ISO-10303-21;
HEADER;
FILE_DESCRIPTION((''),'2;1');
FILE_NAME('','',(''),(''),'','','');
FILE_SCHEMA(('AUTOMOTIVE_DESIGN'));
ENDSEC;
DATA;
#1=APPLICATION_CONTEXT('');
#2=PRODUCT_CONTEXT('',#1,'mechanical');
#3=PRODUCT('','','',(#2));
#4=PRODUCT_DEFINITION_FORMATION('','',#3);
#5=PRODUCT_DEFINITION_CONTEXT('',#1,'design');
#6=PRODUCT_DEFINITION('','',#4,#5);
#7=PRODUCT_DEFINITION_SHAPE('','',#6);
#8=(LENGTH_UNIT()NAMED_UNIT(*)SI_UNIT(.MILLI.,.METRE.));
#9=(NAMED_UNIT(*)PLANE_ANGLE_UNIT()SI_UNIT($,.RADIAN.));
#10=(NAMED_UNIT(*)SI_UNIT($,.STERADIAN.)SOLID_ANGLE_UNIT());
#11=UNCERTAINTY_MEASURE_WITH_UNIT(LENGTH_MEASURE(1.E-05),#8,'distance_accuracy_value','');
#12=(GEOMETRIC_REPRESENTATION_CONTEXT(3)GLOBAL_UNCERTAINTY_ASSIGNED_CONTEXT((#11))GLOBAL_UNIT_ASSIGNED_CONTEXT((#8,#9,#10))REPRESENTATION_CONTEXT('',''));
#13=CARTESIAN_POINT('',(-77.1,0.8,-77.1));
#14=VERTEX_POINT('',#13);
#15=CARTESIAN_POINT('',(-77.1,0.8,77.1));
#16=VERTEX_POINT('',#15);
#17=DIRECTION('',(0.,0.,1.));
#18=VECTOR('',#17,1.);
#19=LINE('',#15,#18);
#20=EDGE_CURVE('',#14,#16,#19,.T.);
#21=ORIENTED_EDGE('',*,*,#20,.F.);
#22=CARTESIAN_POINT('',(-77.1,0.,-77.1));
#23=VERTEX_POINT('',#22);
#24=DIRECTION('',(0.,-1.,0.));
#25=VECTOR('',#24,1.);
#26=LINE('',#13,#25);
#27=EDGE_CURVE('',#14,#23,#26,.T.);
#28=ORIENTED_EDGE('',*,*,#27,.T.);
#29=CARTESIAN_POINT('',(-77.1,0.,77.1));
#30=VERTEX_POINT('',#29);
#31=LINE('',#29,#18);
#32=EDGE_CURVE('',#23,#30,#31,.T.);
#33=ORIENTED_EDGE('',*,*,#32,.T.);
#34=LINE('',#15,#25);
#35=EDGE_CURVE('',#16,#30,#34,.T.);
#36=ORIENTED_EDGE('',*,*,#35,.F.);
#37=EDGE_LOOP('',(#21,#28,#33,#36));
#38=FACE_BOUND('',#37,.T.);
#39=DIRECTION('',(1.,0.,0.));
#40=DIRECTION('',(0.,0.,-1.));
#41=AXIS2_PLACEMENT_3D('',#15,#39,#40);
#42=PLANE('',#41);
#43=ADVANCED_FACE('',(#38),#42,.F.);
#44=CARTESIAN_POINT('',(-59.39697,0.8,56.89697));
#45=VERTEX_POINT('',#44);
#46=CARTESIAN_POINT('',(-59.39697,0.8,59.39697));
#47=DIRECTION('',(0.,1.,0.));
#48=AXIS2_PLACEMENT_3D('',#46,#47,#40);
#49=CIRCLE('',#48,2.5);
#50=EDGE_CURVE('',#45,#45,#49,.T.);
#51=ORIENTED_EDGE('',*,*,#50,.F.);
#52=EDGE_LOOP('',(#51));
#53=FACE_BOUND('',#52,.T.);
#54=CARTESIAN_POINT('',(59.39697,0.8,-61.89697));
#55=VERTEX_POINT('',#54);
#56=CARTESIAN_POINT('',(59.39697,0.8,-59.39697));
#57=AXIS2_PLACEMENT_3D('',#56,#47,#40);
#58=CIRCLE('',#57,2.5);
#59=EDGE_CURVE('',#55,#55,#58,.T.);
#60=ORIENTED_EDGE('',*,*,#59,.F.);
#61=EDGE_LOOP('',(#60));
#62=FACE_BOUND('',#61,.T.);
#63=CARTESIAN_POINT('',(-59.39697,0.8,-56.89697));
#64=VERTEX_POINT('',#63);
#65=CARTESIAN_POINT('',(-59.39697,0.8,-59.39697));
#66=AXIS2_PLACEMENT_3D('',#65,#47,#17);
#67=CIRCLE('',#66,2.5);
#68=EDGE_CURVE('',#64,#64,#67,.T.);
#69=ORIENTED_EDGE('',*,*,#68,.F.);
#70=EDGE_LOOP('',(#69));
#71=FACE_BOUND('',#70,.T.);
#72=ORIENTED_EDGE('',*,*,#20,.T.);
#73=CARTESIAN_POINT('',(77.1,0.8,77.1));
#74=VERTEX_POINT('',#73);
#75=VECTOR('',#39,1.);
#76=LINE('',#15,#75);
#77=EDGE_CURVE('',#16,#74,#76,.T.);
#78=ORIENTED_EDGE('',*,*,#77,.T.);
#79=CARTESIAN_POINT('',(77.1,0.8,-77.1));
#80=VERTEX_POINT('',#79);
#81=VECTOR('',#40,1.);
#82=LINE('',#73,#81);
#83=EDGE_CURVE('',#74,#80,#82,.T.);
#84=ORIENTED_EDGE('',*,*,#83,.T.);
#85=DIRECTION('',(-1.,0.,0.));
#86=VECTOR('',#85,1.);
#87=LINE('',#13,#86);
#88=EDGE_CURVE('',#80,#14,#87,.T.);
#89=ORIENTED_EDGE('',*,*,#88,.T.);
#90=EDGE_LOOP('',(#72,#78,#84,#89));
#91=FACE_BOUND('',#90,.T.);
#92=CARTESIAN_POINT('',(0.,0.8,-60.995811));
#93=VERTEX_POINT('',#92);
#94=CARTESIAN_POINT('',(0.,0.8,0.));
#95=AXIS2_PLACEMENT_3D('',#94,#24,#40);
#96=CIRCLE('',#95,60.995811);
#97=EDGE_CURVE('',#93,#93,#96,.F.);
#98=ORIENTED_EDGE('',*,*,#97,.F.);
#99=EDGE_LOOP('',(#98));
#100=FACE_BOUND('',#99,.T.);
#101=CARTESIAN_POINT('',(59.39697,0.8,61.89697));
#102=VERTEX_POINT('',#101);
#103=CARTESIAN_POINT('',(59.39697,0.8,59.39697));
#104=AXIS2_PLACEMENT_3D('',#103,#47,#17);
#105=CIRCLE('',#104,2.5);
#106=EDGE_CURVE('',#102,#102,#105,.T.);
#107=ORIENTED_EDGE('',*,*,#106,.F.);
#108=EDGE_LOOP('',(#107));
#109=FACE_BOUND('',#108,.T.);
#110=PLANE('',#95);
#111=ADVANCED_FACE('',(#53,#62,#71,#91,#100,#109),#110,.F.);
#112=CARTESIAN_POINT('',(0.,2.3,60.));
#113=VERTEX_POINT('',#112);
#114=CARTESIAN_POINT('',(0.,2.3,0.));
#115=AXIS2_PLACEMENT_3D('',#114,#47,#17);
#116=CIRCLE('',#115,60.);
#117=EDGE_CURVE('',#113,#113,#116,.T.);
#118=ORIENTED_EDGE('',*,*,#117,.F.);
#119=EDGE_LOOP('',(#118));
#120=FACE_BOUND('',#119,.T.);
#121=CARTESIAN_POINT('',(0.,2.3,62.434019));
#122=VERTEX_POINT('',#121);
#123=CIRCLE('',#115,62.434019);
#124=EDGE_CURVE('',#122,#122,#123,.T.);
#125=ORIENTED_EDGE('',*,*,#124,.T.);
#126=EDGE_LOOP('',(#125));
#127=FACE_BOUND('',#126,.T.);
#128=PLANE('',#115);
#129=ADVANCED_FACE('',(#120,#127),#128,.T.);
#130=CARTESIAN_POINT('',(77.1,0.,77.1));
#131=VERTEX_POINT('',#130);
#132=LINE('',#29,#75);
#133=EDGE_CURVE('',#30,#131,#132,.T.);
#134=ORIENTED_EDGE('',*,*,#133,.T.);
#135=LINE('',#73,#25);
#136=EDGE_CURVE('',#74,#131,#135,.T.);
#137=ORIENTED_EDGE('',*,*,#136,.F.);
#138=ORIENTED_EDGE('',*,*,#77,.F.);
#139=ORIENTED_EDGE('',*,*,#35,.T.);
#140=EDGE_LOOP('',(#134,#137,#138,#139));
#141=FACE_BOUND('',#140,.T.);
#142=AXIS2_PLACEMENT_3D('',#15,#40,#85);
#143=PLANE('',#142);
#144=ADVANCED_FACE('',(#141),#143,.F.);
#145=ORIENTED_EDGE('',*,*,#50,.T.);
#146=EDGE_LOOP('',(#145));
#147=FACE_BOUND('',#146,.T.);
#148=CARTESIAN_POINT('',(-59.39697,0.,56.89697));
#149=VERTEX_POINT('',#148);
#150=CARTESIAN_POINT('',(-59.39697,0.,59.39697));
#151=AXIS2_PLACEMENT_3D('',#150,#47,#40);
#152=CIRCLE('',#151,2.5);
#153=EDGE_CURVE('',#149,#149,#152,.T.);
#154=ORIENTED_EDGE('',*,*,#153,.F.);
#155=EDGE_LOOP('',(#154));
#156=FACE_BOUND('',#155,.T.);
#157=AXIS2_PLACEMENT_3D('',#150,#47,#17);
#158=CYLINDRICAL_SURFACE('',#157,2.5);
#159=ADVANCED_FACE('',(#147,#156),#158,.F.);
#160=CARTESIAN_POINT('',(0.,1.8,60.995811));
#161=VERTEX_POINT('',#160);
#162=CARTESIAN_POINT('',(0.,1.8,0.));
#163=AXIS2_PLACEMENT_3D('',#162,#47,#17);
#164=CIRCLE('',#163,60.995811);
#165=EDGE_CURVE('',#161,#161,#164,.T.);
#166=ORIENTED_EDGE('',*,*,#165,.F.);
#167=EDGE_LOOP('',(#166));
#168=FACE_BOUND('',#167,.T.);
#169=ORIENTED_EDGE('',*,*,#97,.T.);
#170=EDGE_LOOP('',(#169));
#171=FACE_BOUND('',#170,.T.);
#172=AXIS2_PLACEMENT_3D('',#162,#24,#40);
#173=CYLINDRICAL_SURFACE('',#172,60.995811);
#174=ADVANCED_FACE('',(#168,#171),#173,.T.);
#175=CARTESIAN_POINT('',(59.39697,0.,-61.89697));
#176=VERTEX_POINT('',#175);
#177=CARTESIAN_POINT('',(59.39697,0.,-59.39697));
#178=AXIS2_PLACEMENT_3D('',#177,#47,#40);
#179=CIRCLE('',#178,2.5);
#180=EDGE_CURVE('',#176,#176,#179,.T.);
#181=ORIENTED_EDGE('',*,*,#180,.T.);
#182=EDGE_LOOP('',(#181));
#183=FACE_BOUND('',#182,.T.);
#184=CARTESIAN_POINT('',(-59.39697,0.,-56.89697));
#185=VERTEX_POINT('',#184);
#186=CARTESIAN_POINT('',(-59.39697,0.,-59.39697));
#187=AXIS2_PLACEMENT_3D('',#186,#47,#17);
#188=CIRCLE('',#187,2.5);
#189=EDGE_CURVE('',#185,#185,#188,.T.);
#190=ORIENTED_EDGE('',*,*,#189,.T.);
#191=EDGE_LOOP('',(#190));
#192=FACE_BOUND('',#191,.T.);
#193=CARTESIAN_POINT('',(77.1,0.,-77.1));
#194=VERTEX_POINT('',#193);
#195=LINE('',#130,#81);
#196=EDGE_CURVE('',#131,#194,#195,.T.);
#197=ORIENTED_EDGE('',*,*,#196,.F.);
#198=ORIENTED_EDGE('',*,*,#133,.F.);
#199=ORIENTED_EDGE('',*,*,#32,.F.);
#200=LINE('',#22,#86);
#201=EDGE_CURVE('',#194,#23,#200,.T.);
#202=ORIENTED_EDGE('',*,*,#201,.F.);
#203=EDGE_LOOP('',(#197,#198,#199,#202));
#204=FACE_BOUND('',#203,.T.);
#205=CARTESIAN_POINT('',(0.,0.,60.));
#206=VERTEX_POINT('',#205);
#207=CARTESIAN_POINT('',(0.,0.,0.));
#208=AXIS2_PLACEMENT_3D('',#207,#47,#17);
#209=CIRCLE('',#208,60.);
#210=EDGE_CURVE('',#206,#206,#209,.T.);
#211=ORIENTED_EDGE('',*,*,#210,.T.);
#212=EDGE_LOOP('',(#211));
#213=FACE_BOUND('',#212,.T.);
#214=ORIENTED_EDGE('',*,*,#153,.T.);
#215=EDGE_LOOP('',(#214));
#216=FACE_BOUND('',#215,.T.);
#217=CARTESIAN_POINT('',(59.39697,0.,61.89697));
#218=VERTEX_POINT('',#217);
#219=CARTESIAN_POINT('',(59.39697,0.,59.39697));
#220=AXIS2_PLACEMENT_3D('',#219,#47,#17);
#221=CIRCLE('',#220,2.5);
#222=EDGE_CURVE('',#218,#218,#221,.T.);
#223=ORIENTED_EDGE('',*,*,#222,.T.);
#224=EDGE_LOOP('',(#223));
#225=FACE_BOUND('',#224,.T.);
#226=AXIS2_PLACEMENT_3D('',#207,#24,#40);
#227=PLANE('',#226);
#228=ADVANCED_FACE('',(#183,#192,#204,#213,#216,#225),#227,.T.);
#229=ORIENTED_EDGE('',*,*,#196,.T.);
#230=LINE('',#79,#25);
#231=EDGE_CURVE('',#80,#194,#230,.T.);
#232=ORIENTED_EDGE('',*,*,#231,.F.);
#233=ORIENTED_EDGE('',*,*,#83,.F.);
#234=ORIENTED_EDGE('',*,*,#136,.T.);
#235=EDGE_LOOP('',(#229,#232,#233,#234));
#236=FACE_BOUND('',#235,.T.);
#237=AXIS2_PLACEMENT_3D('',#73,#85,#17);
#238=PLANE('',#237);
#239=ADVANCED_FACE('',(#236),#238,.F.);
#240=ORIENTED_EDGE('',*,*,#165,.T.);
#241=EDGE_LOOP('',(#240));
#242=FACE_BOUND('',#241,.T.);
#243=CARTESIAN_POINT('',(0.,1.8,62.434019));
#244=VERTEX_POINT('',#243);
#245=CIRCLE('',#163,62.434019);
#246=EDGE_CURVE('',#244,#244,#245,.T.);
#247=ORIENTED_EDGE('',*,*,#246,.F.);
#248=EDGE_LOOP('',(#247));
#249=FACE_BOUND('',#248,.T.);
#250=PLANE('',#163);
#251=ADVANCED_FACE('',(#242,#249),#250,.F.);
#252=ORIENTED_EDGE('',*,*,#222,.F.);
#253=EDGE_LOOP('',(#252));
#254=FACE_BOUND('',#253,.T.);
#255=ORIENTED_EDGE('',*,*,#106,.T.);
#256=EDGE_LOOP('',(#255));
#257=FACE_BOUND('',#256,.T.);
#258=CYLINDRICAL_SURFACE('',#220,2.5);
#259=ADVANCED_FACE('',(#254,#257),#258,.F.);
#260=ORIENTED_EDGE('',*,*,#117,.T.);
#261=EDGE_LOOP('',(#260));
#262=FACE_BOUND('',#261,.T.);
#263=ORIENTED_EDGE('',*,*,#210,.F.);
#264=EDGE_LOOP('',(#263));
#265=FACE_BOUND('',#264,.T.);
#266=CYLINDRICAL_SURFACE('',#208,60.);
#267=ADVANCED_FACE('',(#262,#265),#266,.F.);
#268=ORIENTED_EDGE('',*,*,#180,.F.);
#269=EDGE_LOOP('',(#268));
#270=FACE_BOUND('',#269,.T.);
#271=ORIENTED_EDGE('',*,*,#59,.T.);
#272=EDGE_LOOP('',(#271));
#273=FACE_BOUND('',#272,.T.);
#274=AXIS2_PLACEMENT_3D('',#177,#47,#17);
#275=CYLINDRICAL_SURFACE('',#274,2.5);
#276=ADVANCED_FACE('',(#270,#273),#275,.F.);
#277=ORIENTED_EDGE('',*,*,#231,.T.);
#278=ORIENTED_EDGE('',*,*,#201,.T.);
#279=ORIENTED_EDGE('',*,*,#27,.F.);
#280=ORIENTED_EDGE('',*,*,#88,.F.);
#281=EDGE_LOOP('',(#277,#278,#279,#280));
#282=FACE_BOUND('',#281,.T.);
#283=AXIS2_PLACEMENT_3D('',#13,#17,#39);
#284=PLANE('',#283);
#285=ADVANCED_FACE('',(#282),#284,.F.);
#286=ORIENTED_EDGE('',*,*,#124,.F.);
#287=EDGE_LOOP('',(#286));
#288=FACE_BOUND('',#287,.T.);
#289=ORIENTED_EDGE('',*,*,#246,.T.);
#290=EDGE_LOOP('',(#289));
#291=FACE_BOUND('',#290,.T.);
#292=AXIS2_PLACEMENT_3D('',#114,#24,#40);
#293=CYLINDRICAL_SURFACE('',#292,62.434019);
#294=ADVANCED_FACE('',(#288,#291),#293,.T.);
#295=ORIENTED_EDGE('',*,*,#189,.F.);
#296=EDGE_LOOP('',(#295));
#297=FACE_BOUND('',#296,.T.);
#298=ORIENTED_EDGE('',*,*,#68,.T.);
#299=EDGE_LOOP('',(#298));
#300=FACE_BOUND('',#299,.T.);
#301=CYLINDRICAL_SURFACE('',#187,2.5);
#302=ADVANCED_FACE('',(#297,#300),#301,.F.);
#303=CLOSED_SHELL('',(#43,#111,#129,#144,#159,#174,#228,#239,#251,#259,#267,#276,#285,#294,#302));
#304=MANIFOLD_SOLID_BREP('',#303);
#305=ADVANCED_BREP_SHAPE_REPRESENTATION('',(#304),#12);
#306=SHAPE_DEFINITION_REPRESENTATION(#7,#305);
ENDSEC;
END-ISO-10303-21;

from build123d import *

# Parameters (mm, degrees)
CROQUIS1_W              = 154.2
CROQUIS1_H              = 154.2
SALIENTE_EXTRUIR1_DEPTH = 0.8
CROQUIS2_R              = 60
CORTAR_EXTRUIR1_DEPTH   = 110.038800434
SALIENTE_EXTRUIR2_START = 1
CROQUIS3_R              = 60.995810587
CROQUIS3_R_2            = 60
SALIENTE_EXTRUIR2_DEPTH = 1
SALIENTE_EXTRUIR3_START = 0.5
CROQUIS4_R              = 62.434019261
CROQUIS4_R_2            = 60
SALIENTE_EXTRUIR3_DEPTH = 0.5
CROQUIS5_R              = 2.5
CROQUIS5_R_2            = 60
CORTAR_EXTRUIR2_DEPTH   = 110.046182877


with BuildPart() as part:
    # Croquis1 → Saliente-Extruir1 (new body)
    with BuildSketch(Plane(origin=(0, 0, 0), x_dir=(1, 0, 0), z_dir=(0, 1, 0))):
        Rectangle(CROQUIS1_W, CROQUIS1_H)
    extrude(amount=SALIENTE_EXTRUIR1_DEPTH)

    # Croquis2 → Cortar-Extruir1 (cut, through all)
    with BuildSketch(Plane(origin=(0, 0.8, 0), x_dir=(1, 0, 0), z_dir=(0, 1, 0))):
        with Locations(Location((0, 0, 0), (0, 0, 270))):
            Circle(CROQUIS2_R)
    extrude(amount=-CORTAR_EXTRUIR1_DEPTH, mode=Mode.SUBTRACT)

    # Croquis3 → Saliente-Extruir2 (add)
    with BuildSketch(Plane(origin=(0, 0.8, 0), x_dir=(1, 0, 0), z_dir=(0, 1, 0)).offset(SALIENTE_EXTRUIR2_START)):
        with Locations(Location((0, 0, 0), (0, 0, 90))):
            Circle(CROQUIS3_R)
        with Locations(Location((0, 0, 0), (0, 0, 270))):
            Circle(CROQUIS3_R_2, mode=Mode.SUBTRACT)
    extrude(amount=-SALIENTE_EXTRUIR2_DEPTH)

    # Croquis4 → Saliente-Extruir3 (add)
    with BuildSketch(Plane(origin=(0, 1.8, 0), x_dir=(1, 0, 0), z_dir=(0, 1, 0)).offset(SALIENTE_EXTRUIR3_START)):
        with Locations(Location((0, 0, 0), (0, 0, 270))):
            Circle(CROQUIS4_R)
        with Locations(Location((0, 0, 0), (0, 0, 270))):
            Circle(CROQUIS4_R_2, mode=Mode.SUBTRACT)
    extrude(amount=-SALIENTE_EXTRUIR3_DEPTH)

    # Croquis5 → Cortar-Extruir2 (cut, through all)
    with BuildSketch(Plane(origin=(0, 0.8, 0), x_dir=(1, 0, 0), z_dir=(0, 1, 0))):
        with Locations(Location((-59.39696962, 59.39696962, 0), (0, 0, 270))):
            Circle(CROQUIS5_R)
        with Locations(Location((-59.39696962, -59.39696962, 0), (0, 0, 90))):
            Circle(CROQUIS5_R)
        with Locations(Location((59.39696962, -59.39696962, 0), (0, 0, 270))):
            Circle(CROQUIS5_R)
        with Locations(Location((0, 0, 0), (0, 0, 270))):
            Circle(CROQUIS5_R_2)
        with Locations(Location((59.39696962, 59.39696962, 0), (0, 0, 90))):
            Circle(CROQUIS5_R)
    extrude(amount=-CORTAR_EXTRUIR2_DEPTH, mode=Mode.SUBTRACT)


solid = part.part
